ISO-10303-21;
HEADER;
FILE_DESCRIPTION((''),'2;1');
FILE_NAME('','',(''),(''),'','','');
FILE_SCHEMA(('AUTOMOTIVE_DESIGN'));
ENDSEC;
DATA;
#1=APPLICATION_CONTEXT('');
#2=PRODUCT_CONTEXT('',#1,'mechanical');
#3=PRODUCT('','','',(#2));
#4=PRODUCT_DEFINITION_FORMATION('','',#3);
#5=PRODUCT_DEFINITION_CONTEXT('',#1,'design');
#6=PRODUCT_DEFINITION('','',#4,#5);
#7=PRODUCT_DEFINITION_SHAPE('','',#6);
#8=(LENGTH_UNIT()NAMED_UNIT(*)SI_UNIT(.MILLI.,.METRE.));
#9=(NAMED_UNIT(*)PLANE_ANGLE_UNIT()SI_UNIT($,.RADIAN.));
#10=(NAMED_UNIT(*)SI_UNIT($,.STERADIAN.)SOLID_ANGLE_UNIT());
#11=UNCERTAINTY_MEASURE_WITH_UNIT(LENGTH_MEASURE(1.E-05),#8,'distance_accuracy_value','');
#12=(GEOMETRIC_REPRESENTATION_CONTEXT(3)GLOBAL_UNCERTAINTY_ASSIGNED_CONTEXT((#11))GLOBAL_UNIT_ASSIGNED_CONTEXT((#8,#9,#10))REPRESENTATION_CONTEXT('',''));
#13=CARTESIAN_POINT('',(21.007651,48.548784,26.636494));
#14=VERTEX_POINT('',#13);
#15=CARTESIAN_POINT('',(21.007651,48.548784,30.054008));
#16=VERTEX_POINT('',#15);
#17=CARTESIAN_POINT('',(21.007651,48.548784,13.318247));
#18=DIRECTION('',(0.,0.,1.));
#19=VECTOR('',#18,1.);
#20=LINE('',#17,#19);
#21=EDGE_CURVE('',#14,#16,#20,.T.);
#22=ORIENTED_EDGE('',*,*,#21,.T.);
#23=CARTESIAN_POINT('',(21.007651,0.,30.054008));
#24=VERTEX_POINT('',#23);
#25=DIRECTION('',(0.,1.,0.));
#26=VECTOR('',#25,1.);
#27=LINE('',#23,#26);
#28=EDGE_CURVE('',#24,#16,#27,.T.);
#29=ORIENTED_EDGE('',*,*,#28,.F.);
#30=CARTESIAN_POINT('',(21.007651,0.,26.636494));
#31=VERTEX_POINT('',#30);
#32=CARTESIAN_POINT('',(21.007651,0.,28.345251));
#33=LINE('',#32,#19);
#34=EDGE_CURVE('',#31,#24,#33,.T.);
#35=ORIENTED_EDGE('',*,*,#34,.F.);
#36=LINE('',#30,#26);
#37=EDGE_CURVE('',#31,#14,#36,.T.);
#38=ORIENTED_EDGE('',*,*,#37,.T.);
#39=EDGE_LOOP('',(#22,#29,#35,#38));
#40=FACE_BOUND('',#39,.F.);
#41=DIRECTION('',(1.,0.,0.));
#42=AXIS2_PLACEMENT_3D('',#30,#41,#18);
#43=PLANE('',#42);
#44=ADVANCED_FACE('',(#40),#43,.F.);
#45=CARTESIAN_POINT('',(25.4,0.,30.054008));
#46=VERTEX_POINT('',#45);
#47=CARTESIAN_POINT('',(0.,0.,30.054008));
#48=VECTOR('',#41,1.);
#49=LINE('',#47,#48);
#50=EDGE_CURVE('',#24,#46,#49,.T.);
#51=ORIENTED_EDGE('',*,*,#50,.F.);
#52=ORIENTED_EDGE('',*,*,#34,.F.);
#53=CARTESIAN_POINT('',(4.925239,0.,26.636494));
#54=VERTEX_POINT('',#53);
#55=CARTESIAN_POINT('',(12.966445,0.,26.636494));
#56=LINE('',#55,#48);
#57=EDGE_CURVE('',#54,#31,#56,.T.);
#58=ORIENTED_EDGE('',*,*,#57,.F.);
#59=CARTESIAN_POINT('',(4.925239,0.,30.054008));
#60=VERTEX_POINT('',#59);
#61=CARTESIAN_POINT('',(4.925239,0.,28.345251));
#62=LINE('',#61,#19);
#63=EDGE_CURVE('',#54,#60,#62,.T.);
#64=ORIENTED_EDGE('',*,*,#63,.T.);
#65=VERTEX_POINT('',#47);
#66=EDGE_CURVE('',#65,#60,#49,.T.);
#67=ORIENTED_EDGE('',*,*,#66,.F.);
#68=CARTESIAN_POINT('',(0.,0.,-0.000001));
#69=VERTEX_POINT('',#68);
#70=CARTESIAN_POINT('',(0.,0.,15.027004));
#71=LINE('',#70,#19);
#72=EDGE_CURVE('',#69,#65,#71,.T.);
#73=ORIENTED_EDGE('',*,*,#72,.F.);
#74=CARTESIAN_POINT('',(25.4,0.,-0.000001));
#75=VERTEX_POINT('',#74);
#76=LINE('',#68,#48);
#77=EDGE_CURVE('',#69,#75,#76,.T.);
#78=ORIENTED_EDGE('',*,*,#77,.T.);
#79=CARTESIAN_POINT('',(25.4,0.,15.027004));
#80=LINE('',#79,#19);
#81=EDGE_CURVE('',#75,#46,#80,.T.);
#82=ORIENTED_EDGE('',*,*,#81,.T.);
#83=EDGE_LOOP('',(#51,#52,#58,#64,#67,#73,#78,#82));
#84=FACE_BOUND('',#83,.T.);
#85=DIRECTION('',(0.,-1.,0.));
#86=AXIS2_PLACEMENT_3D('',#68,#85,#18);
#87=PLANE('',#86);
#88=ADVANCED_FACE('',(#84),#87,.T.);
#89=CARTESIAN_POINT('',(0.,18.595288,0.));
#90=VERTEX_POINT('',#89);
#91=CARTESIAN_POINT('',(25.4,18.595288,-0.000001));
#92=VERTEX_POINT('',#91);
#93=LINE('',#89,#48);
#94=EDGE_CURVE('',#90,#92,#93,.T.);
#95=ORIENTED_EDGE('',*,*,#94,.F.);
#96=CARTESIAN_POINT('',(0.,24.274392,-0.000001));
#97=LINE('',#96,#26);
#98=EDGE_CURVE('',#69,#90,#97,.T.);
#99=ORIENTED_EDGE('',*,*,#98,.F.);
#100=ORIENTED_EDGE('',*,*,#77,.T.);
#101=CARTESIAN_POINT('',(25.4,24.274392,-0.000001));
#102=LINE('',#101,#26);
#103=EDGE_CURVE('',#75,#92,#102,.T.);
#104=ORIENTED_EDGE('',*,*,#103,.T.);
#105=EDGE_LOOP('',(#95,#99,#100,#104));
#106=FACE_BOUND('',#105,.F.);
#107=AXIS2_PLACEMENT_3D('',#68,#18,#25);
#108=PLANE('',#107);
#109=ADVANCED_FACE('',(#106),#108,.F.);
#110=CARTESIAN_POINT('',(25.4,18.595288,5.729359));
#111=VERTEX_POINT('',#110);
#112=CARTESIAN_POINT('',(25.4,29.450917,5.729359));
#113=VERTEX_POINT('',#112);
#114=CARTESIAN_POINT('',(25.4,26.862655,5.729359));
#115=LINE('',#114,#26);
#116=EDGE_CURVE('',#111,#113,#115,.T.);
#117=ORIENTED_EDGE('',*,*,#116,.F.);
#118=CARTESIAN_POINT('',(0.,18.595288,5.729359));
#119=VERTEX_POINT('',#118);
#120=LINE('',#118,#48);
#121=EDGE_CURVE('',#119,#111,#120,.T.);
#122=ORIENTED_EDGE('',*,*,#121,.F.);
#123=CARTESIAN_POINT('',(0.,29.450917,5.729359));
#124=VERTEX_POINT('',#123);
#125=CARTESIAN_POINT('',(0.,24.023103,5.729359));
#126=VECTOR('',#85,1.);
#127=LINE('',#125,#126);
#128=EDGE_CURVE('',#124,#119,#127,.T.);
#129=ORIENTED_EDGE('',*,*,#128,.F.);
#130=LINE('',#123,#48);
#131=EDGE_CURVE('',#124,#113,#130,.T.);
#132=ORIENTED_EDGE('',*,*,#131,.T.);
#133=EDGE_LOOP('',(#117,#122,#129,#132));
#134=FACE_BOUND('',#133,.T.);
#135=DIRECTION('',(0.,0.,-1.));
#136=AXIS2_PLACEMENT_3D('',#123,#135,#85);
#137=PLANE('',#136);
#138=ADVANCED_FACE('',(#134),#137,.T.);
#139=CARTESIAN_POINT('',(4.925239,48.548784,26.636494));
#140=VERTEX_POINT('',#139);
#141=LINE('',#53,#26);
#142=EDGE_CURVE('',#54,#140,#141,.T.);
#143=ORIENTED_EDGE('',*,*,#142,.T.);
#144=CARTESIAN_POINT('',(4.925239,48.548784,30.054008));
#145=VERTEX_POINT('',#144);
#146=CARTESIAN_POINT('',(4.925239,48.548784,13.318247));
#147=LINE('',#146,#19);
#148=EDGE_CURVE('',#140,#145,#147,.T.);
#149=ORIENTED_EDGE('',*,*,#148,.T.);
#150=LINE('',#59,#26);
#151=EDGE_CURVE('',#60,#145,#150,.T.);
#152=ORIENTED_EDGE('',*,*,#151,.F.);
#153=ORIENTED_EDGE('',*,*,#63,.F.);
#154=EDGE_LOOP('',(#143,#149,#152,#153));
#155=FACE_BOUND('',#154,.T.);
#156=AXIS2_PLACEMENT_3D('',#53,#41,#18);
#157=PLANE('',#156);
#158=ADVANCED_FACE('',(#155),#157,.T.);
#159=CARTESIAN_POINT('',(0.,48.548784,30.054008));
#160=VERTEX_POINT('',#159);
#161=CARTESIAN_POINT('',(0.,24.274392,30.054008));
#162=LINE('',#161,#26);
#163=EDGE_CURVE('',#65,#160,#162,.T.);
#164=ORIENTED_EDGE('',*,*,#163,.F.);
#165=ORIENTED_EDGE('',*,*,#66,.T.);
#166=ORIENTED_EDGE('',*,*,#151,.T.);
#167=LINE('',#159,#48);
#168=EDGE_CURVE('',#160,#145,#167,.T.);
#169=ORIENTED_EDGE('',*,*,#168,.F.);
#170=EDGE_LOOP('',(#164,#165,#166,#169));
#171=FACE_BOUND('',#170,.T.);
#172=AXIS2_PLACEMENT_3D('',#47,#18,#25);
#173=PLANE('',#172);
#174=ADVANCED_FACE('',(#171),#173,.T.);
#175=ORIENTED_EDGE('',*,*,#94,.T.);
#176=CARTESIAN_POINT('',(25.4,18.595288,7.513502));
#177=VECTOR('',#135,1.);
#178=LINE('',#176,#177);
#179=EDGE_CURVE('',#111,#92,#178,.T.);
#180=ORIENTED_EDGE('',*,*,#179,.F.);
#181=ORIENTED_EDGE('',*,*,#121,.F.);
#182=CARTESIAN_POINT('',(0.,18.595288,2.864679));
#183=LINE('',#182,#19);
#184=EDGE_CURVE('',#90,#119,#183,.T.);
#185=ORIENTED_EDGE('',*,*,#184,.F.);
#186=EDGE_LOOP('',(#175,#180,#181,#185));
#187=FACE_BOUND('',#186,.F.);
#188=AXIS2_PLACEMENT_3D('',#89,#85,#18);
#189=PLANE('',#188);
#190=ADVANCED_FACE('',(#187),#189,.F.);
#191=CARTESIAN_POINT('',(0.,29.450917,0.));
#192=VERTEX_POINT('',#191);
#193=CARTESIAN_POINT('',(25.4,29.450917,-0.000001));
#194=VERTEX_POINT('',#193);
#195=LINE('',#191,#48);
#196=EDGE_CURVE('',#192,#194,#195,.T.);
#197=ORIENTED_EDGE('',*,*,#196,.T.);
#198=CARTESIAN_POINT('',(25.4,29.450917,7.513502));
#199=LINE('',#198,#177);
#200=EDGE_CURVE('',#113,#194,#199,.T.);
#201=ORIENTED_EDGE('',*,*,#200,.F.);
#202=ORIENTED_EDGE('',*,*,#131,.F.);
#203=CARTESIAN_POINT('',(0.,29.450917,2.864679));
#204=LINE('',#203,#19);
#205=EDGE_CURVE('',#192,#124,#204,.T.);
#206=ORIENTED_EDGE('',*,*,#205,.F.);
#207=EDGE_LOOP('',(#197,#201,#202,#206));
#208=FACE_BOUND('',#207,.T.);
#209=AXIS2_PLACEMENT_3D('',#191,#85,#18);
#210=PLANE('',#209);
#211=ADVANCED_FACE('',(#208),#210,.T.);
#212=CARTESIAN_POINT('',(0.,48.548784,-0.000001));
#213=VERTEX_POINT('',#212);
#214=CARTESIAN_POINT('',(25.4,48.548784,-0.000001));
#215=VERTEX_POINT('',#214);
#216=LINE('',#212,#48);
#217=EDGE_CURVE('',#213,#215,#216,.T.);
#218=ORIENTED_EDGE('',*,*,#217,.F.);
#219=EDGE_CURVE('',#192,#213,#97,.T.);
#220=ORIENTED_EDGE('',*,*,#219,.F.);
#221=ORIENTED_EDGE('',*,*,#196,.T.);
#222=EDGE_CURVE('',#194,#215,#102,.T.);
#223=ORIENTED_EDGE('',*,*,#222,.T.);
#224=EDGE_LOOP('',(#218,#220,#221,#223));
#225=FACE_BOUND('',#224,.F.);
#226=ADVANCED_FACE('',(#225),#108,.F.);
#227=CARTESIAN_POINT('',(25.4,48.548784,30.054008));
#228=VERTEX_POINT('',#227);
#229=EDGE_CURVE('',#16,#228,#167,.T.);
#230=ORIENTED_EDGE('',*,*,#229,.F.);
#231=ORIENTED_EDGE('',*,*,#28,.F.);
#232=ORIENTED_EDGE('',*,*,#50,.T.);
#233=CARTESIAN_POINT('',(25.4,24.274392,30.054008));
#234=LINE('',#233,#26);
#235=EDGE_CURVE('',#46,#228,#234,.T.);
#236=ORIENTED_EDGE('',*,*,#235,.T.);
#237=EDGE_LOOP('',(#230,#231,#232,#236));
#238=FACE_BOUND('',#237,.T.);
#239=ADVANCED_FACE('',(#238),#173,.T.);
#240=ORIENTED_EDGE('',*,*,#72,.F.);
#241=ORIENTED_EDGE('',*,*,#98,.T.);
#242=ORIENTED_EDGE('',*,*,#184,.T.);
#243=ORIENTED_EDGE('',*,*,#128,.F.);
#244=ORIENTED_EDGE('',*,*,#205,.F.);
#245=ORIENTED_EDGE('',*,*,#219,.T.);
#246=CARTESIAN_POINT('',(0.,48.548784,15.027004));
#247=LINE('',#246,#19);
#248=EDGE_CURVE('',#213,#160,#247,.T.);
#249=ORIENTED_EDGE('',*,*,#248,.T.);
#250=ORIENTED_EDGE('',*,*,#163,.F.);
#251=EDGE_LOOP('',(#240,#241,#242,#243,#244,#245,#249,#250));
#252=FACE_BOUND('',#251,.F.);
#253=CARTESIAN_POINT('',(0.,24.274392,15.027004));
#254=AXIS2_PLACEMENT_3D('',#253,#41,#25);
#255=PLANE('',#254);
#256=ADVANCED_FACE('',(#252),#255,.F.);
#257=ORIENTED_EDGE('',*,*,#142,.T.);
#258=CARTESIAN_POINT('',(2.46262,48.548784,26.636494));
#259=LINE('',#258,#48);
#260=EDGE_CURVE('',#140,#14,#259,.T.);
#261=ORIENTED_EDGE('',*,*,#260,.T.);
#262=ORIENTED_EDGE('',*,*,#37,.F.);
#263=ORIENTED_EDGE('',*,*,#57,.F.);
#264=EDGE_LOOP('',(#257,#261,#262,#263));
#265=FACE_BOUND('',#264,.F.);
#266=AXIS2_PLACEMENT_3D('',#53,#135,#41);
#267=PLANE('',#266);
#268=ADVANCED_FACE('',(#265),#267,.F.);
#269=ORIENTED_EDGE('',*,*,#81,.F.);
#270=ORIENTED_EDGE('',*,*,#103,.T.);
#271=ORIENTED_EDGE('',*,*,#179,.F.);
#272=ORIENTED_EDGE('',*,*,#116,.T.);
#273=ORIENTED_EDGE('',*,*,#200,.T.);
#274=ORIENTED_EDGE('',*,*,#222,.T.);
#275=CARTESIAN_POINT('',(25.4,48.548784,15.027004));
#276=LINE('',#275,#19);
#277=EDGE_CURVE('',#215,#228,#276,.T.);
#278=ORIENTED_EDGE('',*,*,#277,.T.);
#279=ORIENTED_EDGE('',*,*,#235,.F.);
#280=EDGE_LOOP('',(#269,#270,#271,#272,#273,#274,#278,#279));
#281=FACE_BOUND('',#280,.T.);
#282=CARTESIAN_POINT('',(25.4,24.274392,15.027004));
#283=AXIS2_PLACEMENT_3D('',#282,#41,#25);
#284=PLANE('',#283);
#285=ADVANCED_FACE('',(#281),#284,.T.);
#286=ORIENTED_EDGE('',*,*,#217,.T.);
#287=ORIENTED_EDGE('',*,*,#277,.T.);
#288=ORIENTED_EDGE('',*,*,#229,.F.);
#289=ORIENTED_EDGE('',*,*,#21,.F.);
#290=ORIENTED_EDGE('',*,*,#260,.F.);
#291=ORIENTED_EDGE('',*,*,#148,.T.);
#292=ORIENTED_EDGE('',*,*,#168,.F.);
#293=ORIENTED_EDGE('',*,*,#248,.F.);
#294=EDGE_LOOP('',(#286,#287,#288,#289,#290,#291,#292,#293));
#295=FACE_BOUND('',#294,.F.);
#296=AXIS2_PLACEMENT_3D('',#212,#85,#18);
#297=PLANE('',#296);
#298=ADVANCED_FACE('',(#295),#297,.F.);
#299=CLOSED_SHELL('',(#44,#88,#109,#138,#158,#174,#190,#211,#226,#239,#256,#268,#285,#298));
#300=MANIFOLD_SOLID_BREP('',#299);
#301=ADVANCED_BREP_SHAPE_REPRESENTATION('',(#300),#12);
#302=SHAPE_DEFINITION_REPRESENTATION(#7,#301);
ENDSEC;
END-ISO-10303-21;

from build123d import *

# Parameters (mm, degrees)
F0_W     = 48.548784
F0_H     = 30.054009
F1_DEPTH = 25.4
F2_W     = 16.082412
F2_H     = 3.417515
F3_DEPTH = 50.8
F4_W     = 10.855629
F4_H     = 5.729359
F5_DEPTH = 50.8


with BuildPart() as f1:
    # F0 (on Right) → F1 (new body)
    with BuildSketch(Plane.YZ):
        with Locations((24.274392, 15.027004)):
            Rectangle(F0_W, F0_H)
    extrude(amount=F1_DEPTH)

    # F2 (on face) → F3 (cut)
    with BuildSketch(Plane.XZ):
        with Locations((12.966445, 28.345251)):
            Rectangle(F2_W, F2_H)
    extrude(amount=-F3_DEPTH, mode=Mode.SUBTRACT)

    # F4 (on face) → F5 (cut)
    with BuildSketch(Plane(origin=(0, 0, 0), x_dir=(0, -1, 0), z_dir=(-1, 0, 0))):
        with Locations((-24.023103, 2.864679)):
            Rectangle(F4_W, F4_H)
    extrude(amount=-F5_DEPTH, mode=Mode.SUBTRACT)


solid = f1.part
